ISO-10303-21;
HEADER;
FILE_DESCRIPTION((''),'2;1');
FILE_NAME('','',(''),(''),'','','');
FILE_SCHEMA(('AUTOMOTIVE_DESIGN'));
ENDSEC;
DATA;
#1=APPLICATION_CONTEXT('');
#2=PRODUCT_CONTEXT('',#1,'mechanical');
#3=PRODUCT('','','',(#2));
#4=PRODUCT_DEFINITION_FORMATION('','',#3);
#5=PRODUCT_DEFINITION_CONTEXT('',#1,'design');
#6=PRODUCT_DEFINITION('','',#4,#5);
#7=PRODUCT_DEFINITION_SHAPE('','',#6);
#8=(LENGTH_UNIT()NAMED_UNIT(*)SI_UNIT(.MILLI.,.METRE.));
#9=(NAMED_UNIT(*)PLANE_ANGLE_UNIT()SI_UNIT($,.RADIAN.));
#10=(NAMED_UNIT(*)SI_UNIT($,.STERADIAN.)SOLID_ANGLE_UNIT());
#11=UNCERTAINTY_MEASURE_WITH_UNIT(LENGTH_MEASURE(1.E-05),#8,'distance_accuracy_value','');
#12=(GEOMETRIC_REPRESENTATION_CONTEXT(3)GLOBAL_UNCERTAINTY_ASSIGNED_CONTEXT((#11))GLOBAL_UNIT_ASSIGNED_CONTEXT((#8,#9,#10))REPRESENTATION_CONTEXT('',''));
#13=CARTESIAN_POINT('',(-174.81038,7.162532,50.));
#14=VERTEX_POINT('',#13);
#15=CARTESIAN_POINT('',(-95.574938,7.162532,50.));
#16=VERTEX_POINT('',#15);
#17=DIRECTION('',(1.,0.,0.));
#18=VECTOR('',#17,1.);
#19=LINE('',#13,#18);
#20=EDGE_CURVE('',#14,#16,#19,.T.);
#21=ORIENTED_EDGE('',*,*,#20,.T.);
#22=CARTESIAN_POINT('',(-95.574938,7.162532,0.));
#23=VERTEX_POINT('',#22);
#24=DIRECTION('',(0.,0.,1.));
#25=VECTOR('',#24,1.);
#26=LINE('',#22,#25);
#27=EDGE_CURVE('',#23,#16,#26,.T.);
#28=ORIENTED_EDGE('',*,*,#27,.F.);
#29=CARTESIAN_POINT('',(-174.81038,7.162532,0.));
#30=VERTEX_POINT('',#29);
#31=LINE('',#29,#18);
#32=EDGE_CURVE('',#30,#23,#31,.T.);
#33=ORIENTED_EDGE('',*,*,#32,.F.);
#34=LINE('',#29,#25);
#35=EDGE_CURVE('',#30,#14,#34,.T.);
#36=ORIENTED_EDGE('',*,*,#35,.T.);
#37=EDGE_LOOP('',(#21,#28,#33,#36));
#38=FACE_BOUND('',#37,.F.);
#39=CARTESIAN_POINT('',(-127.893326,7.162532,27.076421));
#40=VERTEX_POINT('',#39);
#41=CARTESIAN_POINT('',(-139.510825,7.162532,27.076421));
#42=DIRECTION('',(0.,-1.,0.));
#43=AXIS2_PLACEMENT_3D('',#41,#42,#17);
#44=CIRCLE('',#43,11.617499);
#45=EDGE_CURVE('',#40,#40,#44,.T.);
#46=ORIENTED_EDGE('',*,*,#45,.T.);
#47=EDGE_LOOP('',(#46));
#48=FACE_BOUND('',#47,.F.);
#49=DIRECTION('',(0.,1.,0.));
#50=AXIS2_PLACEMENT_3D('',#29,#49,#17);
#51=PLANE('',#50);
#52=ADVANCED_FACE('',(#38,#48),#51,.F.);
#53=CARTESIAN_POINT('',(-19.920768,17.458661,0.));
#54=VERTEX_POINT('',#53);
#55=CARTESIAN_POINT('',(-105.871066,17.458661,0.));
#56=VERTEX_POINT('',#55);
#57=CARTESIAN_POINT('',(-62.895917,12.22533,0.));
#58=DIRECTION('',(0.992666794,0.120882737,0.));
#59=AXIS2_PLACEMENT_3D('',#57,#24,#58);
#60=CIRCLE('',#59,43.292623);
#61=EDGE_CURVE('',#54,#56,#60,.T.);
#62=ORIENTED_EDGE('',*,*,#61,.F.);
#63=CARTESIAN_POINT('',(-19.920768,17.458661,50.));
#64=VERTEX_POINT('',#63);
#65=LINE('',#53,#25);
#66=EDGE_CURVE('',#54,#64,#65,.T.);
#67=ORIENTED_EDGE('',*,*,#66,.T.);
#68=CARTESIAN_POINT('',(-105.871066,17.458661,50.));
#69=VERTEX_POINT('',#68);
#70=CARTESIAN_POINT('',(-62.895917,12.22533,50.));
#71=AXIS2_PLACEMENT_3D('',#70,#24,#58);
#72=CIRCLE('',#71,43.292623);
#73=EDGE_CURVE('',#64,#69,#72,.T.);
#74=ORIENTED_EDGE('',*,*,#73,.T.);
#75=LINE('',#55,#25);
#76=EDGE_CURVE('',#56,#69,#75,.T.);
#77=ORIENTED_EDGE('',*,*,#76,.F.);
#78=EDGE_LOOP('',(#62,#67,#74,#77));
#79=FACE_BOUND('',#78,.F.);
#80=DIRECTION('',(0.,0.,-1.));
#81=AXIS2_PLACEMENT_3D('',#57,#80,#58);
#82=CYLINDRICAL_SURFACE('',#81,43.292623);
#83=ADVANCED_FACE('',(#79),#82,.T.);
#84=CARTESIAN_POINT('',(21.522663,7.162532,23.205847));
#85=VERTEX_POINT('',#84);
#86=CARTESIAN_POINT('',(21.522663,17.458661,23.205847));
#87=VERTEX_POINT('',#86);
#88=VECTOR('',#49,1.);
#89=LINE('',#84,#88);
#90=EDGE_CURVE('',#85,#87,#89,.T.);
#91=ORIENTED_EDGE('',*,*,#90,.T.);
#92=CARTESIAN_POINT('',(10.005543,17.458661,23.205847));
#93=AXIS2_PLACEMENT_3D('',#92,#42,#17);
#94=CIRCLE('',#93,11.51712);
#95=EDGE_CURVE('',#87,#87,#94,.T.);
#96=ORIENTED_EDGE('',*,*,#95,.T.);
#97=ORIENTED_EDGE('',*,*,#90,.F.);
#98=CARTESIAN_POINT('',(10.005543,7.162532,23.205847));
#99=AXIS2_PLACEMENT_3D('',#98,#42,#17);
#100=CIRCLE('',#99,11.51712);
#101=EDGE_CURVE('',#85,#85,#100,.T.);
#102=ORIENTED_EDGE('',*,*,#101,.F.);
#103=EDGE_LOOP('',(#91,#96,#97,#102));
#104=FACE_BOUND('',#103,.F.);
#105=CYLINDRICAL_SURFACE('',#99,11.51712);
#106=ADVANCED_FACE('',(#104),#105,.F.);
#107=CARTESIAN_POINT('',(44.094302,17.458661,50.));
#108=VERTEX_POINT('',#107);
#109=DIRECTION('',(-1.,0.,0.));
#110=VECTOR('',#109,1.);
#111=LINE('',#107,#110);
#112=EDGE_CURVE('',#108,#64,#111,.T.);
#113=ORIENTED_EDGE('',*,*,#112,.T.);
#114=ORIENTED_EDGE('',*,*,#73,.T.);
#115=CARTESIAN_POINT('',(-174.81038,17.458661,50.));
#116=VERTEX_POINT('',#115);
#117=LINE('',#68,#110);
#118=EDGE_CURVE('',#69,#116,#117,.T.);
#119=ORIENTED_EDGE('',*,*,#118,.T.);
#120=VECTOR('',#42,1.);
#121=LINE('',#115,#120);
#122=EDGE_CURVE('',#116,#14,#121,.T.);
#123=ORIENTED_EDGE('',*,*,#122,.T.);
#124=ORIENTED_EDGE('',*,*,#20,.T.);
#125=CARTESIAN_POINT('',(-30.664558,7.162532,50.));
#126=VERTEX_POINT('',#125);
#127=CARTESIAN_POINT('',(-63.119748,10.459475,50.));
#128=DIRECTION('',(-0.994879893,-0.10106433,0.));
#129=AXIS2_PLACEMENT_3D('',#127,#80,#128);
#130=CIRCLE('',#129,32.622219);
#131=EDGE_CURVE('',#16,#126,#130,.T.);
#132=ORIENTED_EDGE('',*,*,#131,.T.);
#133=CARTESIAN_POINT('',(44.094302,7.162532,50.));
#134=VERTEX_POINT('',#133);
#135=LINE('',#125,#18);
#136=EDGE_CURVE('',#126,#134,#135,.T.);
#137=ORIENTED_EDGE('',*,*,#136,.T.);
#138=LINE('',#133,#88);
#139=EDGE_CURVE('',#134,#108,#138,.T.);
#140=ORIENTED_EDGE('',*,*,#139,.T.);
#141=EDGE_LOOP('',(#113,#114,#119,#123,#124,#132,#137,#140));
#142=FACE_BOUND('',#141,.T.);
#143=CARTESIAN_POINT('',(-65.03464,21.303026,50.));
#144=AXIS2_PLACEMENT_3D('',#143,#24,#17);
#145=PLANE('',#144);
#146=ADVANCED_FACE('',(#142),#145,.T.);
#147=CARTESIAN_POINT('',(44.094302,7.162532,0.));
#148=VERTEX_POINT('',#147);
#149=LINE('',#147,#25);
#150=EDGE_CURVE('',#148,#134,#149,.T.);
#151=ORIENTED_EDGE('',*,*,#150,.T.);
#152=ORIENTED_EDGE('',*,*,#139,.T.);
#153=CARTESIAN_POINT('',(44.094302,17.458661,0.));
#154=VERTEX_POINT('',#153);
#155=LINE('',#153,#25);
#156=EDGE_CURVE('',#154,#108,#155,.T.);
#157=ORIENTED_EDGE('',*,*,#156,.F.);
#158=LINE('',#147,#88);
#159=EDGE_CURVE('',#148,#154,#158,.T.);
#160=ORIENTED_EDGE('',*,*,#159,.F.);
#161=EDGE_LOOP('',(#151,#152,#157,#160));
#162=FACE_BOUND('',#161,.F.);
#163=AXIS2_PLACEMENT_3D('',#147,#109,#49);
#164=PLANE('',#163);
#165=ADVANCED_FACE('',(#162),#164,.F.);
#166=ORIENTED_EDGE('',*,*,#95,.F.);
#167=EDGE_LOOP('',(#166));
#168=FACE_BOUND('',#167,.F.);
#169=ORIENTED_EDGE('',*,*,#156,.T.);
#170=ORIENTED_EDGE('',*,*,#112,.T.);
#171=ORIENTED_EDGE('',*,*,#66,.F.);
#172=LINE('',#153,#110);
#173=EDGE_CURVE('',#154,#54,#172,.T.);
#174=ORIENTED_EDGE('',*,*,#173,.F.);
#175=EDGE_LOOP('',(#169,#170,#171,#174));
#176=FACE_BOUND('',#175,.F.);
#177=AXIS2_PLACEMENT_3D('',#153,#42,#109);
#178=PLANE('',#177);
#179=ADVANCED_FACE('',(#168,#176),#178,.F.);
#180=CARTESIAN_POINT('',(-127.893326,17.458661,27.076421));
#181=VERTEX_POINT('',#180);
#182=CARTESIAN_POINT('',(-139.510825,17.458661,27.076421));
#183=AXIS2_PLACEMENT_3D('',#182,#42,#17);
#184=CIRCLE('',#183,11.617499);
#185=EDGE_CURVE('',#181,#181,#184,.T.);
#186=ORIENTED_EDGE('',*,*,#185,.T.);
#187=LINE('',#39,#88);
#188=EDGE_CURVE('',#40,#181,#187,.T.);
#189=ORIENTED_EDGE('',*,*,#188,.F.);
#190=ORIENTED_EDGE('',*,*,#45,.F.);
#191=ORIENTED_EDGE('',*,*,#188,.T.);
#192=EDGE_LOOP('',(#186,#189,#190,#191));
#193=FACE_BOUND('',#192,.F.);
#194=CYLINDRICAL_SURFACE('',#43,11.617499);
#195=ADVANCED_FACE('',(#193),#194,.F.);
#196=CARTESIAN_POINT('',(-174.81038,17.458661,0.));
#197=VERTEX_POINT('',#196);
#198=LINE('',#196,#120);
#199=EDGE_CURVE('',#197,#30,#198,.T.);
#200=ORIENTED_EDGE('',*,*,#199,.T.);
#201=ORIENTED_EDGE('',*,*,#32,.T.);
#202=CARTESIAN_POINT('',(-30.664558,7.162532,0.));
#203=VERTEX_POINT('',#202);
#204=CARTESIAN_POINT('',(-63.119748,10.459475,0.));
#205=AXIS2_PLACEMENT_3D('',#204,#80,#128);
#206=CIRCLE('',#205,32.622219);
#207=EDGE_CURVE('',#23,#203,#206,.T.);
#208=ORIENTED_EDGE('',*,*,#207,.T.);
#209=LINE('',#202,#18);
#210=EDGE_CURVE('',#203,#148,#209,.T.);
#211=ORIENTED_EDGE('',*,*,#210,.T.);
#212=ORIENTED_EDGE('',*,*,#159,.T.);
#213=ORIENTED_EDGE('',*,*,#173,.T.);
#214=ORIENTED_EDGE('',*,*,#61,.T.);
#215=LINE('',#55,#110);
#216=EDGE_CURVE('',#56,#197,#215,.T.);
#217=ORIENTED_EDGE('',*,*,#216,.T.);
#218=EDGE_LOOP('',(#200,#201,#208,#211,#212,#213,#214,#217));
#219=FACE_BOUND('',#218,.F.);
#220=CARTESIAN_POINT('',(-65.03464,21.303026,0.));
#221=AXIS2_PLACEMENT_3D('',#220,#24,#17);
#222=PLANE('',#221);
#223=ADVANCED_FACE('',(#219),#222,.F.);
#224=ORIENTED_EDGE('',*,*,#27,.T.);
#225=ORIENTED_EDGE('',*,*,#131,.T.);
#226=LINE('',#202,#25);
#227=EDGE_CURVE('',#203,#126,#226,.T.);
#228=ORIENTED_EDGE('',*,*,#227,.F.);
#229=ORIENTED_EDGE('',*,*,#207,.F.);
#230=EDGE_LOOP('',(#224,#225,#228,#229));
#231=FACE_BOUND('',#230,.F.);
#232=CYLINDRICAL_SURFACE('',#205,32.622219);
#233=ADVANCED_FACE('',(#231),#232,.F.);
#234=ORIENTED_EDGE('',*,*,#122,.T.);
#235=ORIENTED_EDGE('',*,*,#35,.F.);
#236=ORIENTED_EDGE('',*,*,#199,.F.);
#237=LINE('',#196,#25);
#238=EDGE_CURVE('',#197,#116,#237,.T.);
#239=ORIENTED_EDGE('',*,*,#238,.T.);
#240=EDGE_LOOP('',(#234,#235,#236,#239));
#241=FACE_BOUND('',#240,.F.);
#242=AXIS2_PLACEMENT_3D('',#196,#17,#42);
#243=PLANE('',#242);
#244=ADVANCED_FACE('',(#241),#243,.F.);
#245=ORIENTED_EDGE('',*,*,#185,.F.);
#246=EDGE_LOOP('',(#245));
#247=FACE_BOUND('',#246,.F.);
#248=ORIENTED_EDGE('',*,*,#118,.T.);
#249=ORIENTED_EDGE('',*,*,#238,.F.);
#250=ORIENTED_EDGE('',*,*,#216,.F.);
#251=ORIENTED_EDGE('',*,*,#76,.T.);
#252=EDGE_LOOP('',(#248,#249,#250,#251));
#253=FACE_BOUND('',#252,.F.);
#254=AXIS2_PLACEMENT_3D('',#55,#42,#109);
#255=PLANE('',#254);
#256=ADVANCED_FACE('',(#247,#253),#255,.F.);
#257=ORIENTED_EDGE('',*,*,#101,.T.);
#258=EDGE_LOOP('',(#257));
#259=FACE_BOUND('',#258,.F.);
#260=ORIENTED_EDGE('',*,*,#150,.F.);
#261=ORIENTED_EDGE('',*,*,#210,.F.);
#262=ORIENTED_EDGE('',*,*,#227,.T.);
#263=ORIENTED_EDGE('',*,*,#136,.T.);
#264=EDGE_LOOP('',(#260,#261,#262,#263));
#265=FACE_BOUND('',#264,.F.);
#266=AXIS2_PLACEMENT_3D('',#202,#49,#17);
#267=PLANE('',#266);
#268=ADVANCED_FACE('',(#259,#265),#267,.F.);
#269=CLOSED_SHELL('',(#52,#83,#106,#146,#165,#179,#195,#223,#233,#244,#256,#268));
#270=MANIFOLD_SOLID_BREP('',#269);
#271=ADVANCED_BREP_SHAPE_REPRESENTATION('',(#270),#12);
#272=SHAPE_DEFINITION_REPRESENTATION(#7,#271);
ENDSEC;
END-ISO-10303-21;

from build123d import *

# Parameters (mm, degrees)
F1_DEPTH = 50
F2_R     = 11.617499
F2_R_2   = 11.51712
F3_DEPTH = 50


with BuildPart() as f1:
    # F0 (on Top) → F1 (new body)
    with BuildSketch(Plane.XY):
        with BuildLine():
            Line((-105.871066, 17.458661), (-174.81038, 17.458661))
            Line((-174.81038, 17.458661), (-174.81038, 7.162532))
            Line((-174.81038, 7.162532), (-95.574938, 7.162532))
            ThreePointArc((-95.574938, 7.162532), (-63.119748, 43.081694), (-30.664558, 7.162532))
            Line((-30.664558, 7.162532), (44.094302, 7.162532))
            Line((44.094302, 7.162532), (44.094302, 17.458661))
            Line((44.094302, 17.458661), (-19.920768, 17.458661))
            ThreePointArc((-19.920768, 17.458661), (-62.895917, 55.517953), (-105.871066, 17.458661))
        make_face()
    extrude(amount=F1_DEPTH)

    # F2 (on face) → F3 (cut)
    with BuildSketch(Plane.XZ.offset(-7.162532)):
        with Locations((-139.510825, 27.076421)):
            Circle(F2_R)
        with Locations((10.005543, 23.205847)):
            Circle(F2_R_2)
    extrude(amount=-F3_DEPTH, mode=Mode.SUBTRACT)


solid = f1.part
